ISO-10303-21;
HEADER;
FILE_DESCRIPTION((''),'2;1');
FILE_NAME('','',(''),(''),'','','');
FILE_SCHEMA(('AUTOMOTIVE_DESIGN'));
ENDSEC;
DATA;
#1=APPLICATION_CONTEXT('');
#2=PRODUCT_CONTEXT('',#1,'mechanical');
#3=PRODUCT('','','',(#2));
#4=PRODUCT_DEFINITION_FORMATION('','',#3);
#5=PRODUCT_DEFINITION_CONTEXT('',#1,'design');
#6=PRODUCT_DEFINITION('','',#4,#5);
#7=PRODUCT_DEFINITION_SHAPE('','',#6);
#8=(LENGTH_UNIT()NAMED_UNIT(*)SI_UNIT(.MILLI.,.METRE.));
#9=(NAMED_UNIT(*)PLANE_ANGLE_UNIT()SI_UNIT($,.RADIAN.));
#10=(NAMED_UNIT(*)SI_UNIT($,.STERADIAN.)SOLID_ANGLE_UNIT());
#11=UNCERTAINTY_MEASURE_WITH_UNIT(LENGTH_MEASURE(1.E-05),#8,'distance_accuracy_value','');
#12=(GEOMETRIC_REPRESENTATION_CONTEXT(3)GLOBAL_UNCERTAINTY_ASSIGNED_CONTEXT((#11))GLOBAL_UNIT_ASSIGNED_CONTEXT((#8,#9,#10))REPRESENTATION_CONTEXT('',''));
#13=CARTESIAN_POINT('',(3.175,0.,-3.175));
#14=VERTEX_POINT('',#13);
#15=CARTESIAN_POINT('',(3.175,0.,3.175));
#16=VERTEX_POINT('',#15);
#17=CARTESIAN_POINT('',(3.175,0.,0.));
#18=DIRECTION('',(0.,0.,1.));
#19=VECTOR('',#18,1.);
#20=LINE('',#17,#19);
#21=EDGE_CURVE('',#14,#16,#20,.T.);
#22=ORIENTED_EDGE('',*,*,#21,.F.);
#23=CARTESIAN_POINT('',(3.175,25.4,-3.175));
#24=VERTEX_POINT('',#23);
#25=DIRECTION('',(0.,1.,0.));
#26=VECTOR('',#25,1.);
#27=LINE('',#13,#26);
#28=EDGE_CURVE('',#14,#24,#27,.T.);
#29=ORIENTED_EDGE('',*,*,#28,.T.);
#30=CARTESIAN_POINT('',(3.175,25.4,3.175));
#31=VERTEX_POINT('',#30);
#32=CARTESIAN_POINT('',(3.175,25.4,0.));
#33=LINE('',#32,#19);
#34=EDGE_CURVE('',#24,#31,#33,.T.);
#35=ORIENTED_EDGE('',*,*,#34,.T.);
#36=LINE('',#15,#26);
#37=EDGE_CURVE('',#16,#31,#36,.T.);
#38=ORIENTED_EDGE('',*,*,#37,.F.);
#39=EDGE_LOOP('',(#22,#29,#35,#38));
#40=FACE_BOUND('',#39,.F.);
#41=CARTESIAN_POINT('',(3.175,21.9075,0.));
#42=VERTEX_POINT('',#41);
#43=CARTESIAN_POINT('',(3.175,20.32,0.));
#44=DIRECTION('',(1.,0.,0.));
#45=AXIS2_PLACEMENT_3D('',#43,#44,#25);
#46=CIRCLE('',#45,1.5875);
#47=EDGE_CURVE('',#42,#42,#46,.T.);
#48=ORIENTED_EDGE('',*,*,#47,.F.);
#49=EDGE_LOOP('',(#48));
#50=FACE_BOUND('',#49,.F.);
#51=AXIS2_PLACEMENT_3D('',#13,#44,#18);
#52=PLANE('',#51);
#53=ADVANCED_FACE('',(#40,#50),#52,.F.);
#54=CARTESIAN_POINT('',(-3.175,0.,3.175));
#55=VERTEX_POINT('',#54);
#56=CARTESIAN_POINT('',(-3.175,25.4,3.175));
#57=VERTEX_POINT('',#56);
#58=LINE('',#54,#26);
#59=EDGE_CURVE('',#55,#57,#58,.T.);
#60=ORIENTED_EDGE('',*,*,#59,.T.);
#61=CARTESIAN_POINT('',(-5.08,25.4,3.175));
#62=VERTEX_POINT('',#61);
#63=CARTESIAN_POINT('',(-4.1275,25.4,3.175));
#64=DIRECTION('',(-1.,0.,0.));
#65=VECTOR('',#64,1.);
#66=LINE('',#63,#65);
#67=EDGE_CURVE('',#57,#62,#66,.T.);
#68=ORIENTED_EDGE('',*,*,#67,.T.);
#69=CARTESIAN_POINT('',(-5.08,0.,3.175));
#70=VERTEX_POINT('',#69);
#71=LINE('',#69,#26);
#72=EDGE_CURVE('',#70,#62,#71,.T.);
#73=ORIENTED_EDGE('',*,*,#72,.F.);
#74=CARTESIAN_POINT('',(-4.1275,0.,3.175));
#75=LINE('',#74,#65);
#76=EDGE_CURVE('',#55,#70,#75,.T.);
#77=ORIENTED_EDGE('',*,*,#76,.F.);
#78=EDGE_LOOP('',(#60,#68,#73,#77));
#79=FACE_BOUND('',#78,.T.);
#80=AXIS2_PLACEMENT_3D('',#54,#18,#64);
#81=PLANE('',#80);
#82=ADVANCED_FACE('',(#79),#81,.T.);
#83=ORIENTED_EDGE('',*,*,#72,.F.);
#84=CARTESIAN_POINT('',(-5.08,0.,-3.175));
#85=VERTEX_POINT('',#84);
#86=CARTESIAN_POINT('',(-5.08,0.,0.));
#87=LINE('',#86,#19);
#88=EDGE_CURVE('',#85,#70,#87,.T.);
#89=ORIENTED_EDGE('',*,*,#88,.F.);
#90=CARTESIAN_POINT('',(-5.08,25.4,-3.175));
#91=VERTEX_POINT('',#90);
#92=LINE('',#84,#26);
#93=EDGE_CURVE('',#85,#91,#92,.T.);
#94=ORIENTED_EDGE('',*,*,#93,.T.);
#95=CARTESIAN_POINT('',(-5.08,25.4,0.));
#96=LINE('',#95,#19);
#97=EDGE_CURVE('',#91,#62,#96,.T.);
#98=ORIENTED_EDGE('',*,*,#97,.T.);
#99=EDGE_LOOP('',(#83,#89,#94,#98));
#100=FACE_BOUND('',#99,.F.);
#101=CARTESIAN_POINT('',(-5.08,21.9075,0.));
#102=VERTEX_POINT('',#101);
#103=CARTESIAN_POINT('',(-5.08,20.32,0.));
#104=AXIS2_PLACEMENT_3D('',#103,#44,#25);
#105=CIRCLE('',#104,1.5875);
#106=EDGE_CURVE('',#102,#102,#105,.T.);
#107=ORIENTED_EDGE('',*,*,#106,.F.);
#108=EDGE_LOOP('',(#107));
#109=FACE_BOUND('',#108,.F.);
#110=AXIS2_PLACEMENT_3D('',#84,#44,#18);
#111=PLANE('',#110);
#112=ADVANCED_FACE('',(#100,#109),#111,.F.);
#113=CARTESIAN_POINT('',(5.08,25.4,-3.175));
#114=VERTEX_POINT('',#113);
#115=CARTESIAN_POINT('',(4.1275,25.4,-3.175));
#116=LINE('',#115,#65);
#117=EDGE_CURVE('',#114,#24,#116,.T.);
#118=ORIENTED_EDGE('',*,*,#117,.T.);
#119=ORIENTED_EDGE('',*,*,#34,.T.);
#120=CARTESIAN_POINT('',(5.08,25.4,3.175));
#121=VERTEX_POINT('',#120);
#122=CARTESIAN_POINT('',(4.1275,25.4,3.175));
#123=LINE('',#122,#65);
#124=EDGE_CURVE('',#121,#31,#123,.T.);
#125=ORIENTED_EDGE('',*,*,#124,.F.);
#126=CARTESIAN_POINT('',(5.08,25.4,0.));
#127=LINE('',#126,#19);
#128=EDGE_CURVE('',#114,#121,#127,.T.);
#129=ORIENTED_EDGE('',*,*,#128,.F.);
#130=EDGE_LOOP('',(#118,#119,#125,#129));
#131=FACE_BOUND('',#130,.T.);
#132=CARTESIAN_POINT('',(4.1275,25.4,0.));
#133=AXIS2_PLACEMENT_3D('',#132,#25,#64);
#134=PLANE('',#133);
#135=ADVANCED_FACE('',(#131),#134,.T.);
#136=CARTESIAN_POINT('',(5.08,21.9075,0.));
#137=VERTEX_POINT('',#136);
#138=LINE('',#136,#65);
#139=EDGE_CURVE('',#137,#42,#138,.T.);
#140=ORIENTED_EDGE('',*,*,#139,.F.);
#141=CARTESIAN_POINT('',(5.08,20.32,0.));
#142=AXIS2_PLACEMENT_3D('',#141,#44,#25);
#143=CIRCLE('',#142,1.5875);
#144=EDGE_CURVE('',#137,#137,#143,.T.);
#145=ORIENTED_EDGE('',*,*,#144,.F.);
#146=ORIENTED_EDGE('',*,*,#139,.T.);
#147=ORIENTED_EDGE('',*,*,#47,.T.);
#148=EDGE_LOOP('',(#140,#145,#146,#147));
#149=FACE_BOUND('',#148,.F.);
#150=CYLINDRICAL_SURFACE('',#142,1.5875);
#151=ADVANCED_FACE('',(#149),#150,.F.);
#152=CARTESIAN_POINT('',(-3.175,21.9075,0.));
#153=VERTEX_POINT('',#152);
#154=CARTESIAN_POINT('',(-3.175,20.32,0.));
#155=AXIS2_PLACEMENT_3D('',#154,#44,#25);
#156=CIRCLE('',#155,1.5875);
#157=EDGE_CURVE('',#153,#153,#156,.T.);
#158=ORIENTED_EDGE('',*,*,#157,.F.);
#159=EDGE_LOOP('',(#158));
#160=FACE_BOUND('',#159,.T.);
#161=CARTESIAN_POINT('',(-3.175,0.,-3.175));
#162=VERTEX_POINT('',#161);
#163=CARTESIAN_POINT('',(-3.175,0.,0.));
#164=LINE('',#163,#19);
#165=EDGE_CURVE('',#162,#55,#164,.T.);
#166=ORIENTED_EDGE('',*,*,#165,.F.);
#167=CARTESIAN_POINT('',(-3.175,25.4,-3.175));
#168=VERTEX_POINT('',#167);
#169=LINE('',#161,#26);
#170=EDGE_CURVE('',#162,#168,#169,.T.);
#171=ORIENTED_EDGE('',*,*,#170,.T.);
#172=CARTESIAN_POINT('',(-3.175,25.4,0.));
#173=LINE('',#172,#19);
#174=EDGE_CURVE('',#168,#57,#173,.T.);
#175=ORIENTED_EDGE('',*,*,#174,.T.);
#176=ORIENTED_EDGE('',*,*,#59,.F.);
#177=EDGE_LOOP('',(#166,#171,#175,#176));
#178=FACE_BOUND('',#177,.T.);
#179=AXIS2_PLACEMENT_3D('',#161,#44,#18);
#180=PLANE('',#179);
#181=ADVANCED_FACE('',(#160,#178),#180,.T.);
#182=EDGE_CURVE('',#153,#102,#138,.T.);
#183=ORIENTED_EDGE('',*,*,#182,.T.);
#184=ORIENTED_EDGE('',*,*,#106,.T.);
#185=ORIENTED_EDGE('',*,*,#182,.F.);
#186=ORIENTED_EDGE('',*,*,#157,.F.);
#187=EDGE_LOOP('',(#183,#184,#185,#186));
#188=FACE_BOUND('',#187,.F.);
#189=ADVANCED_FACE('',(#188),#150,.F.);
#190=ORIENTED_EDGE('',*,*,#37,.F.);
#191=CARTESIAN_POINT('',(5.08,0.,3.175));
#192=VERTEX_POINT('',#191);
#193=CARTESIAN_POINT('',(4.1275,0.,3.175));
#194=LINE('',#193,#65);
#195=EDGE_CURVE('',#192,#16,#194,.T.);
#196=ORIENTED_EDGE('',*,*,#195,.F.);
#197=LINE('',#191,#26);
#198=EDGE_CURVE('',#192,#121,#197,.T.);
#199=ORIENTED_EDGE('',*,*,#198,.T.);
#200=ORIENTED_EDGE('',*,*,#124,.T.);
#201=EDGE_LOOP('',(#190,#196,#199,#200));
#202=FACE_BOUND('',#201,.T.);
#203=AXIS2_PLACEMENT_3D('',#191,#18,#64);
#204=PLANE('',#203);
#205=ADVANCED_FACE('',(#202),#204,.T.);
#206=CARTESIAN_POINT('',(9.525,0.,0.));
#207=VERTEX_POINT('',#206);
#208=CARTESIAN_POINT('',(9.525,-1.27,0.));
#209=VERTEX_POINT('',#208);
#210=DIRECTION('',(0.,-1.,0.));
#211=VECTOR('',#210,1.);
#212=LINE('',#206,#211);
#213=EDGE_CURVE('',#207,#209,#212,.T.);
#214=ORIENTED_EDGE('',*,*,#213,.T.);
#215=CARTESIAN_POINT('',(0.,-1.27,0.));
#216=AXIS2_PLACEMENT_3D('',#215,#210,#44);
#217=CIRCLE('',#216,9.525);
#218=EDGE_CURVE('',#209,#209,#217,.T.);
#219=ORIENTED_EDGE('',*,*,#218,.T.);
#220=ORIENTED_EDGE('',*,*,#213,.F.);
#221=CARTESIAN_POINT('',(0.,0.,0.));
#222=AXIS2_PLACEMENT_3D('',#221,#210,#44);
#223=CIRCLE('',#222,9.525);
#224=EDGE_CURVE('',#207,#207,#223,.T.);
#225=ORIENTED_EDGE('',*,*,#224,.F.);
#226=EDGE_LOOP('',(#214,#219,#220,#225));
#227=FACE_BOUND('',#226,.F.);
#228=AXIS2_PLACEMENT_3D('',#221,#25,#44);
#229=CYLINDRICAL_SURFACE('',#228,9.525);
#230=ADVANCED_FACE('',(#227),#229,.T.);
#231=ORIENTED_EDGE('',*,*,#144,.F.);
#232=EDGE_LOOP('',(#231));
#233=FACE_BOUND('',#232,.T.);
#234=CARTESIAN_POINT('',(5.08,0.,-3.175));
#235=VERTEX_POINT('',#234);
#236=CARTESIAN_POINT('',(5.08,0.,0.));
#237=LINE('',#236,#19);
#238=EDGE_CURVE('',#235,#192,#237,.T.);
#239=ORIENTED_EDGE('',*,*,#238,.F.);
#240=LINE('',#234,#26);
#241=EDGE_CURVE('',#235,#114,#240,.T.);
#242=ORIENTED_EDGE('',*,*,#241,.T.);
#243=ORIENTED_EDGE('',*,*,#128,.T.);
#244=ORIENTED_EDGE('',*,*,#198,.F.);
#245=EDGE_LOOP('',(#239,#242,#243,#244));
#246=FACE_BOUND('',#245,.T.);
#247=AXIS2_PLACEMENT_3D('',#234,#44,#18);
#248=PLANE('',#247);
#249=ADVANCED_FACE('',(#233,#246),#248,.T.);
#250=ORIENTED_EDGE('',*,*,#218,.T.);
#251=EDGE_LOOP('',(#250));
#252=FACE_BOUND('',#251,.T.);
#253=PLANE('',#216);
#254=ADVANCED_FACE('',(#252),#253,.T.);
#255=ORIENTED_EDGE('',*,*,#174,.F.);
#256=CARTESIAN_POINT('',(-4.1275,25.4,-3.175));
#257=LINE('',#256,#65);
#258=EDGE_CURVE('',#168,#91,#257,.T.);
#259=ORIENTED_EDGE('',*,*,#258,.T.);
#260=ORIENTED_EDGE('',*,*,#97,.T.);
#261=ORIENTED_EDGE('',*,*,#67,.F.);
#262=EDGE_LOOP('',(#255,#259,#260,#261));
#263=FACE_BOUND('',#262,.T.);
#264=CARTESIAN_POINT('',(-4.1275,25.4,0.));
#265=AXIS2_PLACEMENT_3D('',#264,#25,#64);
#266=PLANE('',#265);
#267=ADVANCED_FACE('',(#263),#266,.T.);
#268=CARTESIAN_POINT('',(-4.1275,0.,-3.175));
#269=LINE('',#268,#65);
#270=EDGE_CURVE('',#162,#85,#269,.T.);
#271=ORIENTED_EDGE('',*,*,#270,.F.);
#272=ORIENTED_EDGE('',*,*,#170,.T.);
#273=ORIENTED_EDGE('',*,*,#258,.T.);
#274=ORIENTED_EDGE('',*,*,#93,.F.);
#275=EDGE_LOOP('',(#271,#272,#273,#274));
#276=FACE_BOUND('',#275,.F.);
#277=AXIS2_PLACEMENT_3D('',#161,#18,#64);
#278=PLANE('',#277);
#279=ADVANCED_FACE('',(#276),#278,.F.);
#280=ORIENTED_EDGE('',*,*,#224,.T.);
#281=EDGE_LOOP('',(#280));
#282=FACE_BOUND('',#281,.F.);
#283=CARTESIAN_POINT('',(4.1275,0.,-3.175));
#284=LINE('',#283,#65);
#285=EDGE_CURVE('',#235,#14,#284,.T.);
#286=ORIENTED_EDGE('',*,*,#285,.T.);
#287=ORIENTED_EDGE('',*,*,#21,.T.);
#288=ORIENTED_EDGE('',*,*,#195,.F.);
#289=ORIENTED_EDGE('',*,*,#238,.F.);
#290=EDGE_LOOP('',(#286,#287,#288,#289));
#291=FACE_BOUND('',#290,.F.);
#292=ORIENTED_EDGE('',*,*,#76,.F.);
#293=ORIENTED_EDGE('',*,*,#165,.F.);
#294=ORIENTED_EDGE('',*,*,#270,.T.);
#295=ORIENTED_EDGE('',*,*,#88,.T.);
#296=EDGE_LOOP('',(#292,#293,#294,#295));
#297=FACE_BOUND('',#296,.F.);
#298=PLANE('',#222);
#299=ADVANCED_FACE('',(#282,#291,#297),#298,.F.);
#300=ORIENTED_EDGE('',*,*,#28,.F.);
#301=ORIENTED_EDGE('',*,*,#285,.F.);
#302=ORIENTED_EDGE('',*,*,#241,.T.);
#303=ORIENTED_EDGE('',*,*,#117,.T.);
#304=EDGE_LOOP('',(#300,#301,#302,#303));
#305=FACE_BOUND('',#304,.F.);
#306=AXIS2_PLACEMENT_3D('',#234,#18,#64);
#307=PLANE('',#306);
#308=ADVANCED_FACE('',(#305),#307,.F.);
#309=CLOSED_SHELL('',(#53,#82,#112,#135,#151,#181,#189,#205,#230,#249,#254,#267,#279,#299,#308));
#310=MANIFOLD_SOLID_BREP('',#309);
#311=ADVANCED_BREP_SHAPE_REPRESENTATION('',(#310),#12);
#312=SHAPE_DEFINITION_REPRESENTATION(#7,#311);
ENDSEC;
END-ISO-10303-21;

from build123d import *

# Parameters (mm, degrees)
F0_R     = 9.525
F1_DEPTH = 1.27
F2_W     = 1.905
F2_H     = 6.35
F3_DEPTH = 25.4
F4_R     = 1.5875
F5_DEPTH = 14.606


with BuildPart() as f1:
    # F0 (on Front) → F1 (new body)
    with BuildSketch(Plane.XZ):
        Circle(F0_R)
    extrude(amount=F1_DEPTH)

    # F2 (on face) → F3 (join)
    with BuildSketch(Plane(origin=(0, 0, 0), x_dir=(-1, 0, 0), z_dir=(0, 1, 0))):
        with Locations((-4.1275, 0)):
            Rectangle(F2_W, F2_H)
        with Locations((4.1275, 0)):
            Rectangle(F2_W, F2_H)
    extrude(amount=F3_DEPTH)

    # F4 (on face) → F5 (cut, through all)
    with BuildSketch(Plane.YZ.offset(5.08)):
        with Locations((20.32, 0)):
            Circle(F4_R)
    extrude(amount=-F5_DEPTH, mode=Mode.SUBTRACT)


solid = f1.part
